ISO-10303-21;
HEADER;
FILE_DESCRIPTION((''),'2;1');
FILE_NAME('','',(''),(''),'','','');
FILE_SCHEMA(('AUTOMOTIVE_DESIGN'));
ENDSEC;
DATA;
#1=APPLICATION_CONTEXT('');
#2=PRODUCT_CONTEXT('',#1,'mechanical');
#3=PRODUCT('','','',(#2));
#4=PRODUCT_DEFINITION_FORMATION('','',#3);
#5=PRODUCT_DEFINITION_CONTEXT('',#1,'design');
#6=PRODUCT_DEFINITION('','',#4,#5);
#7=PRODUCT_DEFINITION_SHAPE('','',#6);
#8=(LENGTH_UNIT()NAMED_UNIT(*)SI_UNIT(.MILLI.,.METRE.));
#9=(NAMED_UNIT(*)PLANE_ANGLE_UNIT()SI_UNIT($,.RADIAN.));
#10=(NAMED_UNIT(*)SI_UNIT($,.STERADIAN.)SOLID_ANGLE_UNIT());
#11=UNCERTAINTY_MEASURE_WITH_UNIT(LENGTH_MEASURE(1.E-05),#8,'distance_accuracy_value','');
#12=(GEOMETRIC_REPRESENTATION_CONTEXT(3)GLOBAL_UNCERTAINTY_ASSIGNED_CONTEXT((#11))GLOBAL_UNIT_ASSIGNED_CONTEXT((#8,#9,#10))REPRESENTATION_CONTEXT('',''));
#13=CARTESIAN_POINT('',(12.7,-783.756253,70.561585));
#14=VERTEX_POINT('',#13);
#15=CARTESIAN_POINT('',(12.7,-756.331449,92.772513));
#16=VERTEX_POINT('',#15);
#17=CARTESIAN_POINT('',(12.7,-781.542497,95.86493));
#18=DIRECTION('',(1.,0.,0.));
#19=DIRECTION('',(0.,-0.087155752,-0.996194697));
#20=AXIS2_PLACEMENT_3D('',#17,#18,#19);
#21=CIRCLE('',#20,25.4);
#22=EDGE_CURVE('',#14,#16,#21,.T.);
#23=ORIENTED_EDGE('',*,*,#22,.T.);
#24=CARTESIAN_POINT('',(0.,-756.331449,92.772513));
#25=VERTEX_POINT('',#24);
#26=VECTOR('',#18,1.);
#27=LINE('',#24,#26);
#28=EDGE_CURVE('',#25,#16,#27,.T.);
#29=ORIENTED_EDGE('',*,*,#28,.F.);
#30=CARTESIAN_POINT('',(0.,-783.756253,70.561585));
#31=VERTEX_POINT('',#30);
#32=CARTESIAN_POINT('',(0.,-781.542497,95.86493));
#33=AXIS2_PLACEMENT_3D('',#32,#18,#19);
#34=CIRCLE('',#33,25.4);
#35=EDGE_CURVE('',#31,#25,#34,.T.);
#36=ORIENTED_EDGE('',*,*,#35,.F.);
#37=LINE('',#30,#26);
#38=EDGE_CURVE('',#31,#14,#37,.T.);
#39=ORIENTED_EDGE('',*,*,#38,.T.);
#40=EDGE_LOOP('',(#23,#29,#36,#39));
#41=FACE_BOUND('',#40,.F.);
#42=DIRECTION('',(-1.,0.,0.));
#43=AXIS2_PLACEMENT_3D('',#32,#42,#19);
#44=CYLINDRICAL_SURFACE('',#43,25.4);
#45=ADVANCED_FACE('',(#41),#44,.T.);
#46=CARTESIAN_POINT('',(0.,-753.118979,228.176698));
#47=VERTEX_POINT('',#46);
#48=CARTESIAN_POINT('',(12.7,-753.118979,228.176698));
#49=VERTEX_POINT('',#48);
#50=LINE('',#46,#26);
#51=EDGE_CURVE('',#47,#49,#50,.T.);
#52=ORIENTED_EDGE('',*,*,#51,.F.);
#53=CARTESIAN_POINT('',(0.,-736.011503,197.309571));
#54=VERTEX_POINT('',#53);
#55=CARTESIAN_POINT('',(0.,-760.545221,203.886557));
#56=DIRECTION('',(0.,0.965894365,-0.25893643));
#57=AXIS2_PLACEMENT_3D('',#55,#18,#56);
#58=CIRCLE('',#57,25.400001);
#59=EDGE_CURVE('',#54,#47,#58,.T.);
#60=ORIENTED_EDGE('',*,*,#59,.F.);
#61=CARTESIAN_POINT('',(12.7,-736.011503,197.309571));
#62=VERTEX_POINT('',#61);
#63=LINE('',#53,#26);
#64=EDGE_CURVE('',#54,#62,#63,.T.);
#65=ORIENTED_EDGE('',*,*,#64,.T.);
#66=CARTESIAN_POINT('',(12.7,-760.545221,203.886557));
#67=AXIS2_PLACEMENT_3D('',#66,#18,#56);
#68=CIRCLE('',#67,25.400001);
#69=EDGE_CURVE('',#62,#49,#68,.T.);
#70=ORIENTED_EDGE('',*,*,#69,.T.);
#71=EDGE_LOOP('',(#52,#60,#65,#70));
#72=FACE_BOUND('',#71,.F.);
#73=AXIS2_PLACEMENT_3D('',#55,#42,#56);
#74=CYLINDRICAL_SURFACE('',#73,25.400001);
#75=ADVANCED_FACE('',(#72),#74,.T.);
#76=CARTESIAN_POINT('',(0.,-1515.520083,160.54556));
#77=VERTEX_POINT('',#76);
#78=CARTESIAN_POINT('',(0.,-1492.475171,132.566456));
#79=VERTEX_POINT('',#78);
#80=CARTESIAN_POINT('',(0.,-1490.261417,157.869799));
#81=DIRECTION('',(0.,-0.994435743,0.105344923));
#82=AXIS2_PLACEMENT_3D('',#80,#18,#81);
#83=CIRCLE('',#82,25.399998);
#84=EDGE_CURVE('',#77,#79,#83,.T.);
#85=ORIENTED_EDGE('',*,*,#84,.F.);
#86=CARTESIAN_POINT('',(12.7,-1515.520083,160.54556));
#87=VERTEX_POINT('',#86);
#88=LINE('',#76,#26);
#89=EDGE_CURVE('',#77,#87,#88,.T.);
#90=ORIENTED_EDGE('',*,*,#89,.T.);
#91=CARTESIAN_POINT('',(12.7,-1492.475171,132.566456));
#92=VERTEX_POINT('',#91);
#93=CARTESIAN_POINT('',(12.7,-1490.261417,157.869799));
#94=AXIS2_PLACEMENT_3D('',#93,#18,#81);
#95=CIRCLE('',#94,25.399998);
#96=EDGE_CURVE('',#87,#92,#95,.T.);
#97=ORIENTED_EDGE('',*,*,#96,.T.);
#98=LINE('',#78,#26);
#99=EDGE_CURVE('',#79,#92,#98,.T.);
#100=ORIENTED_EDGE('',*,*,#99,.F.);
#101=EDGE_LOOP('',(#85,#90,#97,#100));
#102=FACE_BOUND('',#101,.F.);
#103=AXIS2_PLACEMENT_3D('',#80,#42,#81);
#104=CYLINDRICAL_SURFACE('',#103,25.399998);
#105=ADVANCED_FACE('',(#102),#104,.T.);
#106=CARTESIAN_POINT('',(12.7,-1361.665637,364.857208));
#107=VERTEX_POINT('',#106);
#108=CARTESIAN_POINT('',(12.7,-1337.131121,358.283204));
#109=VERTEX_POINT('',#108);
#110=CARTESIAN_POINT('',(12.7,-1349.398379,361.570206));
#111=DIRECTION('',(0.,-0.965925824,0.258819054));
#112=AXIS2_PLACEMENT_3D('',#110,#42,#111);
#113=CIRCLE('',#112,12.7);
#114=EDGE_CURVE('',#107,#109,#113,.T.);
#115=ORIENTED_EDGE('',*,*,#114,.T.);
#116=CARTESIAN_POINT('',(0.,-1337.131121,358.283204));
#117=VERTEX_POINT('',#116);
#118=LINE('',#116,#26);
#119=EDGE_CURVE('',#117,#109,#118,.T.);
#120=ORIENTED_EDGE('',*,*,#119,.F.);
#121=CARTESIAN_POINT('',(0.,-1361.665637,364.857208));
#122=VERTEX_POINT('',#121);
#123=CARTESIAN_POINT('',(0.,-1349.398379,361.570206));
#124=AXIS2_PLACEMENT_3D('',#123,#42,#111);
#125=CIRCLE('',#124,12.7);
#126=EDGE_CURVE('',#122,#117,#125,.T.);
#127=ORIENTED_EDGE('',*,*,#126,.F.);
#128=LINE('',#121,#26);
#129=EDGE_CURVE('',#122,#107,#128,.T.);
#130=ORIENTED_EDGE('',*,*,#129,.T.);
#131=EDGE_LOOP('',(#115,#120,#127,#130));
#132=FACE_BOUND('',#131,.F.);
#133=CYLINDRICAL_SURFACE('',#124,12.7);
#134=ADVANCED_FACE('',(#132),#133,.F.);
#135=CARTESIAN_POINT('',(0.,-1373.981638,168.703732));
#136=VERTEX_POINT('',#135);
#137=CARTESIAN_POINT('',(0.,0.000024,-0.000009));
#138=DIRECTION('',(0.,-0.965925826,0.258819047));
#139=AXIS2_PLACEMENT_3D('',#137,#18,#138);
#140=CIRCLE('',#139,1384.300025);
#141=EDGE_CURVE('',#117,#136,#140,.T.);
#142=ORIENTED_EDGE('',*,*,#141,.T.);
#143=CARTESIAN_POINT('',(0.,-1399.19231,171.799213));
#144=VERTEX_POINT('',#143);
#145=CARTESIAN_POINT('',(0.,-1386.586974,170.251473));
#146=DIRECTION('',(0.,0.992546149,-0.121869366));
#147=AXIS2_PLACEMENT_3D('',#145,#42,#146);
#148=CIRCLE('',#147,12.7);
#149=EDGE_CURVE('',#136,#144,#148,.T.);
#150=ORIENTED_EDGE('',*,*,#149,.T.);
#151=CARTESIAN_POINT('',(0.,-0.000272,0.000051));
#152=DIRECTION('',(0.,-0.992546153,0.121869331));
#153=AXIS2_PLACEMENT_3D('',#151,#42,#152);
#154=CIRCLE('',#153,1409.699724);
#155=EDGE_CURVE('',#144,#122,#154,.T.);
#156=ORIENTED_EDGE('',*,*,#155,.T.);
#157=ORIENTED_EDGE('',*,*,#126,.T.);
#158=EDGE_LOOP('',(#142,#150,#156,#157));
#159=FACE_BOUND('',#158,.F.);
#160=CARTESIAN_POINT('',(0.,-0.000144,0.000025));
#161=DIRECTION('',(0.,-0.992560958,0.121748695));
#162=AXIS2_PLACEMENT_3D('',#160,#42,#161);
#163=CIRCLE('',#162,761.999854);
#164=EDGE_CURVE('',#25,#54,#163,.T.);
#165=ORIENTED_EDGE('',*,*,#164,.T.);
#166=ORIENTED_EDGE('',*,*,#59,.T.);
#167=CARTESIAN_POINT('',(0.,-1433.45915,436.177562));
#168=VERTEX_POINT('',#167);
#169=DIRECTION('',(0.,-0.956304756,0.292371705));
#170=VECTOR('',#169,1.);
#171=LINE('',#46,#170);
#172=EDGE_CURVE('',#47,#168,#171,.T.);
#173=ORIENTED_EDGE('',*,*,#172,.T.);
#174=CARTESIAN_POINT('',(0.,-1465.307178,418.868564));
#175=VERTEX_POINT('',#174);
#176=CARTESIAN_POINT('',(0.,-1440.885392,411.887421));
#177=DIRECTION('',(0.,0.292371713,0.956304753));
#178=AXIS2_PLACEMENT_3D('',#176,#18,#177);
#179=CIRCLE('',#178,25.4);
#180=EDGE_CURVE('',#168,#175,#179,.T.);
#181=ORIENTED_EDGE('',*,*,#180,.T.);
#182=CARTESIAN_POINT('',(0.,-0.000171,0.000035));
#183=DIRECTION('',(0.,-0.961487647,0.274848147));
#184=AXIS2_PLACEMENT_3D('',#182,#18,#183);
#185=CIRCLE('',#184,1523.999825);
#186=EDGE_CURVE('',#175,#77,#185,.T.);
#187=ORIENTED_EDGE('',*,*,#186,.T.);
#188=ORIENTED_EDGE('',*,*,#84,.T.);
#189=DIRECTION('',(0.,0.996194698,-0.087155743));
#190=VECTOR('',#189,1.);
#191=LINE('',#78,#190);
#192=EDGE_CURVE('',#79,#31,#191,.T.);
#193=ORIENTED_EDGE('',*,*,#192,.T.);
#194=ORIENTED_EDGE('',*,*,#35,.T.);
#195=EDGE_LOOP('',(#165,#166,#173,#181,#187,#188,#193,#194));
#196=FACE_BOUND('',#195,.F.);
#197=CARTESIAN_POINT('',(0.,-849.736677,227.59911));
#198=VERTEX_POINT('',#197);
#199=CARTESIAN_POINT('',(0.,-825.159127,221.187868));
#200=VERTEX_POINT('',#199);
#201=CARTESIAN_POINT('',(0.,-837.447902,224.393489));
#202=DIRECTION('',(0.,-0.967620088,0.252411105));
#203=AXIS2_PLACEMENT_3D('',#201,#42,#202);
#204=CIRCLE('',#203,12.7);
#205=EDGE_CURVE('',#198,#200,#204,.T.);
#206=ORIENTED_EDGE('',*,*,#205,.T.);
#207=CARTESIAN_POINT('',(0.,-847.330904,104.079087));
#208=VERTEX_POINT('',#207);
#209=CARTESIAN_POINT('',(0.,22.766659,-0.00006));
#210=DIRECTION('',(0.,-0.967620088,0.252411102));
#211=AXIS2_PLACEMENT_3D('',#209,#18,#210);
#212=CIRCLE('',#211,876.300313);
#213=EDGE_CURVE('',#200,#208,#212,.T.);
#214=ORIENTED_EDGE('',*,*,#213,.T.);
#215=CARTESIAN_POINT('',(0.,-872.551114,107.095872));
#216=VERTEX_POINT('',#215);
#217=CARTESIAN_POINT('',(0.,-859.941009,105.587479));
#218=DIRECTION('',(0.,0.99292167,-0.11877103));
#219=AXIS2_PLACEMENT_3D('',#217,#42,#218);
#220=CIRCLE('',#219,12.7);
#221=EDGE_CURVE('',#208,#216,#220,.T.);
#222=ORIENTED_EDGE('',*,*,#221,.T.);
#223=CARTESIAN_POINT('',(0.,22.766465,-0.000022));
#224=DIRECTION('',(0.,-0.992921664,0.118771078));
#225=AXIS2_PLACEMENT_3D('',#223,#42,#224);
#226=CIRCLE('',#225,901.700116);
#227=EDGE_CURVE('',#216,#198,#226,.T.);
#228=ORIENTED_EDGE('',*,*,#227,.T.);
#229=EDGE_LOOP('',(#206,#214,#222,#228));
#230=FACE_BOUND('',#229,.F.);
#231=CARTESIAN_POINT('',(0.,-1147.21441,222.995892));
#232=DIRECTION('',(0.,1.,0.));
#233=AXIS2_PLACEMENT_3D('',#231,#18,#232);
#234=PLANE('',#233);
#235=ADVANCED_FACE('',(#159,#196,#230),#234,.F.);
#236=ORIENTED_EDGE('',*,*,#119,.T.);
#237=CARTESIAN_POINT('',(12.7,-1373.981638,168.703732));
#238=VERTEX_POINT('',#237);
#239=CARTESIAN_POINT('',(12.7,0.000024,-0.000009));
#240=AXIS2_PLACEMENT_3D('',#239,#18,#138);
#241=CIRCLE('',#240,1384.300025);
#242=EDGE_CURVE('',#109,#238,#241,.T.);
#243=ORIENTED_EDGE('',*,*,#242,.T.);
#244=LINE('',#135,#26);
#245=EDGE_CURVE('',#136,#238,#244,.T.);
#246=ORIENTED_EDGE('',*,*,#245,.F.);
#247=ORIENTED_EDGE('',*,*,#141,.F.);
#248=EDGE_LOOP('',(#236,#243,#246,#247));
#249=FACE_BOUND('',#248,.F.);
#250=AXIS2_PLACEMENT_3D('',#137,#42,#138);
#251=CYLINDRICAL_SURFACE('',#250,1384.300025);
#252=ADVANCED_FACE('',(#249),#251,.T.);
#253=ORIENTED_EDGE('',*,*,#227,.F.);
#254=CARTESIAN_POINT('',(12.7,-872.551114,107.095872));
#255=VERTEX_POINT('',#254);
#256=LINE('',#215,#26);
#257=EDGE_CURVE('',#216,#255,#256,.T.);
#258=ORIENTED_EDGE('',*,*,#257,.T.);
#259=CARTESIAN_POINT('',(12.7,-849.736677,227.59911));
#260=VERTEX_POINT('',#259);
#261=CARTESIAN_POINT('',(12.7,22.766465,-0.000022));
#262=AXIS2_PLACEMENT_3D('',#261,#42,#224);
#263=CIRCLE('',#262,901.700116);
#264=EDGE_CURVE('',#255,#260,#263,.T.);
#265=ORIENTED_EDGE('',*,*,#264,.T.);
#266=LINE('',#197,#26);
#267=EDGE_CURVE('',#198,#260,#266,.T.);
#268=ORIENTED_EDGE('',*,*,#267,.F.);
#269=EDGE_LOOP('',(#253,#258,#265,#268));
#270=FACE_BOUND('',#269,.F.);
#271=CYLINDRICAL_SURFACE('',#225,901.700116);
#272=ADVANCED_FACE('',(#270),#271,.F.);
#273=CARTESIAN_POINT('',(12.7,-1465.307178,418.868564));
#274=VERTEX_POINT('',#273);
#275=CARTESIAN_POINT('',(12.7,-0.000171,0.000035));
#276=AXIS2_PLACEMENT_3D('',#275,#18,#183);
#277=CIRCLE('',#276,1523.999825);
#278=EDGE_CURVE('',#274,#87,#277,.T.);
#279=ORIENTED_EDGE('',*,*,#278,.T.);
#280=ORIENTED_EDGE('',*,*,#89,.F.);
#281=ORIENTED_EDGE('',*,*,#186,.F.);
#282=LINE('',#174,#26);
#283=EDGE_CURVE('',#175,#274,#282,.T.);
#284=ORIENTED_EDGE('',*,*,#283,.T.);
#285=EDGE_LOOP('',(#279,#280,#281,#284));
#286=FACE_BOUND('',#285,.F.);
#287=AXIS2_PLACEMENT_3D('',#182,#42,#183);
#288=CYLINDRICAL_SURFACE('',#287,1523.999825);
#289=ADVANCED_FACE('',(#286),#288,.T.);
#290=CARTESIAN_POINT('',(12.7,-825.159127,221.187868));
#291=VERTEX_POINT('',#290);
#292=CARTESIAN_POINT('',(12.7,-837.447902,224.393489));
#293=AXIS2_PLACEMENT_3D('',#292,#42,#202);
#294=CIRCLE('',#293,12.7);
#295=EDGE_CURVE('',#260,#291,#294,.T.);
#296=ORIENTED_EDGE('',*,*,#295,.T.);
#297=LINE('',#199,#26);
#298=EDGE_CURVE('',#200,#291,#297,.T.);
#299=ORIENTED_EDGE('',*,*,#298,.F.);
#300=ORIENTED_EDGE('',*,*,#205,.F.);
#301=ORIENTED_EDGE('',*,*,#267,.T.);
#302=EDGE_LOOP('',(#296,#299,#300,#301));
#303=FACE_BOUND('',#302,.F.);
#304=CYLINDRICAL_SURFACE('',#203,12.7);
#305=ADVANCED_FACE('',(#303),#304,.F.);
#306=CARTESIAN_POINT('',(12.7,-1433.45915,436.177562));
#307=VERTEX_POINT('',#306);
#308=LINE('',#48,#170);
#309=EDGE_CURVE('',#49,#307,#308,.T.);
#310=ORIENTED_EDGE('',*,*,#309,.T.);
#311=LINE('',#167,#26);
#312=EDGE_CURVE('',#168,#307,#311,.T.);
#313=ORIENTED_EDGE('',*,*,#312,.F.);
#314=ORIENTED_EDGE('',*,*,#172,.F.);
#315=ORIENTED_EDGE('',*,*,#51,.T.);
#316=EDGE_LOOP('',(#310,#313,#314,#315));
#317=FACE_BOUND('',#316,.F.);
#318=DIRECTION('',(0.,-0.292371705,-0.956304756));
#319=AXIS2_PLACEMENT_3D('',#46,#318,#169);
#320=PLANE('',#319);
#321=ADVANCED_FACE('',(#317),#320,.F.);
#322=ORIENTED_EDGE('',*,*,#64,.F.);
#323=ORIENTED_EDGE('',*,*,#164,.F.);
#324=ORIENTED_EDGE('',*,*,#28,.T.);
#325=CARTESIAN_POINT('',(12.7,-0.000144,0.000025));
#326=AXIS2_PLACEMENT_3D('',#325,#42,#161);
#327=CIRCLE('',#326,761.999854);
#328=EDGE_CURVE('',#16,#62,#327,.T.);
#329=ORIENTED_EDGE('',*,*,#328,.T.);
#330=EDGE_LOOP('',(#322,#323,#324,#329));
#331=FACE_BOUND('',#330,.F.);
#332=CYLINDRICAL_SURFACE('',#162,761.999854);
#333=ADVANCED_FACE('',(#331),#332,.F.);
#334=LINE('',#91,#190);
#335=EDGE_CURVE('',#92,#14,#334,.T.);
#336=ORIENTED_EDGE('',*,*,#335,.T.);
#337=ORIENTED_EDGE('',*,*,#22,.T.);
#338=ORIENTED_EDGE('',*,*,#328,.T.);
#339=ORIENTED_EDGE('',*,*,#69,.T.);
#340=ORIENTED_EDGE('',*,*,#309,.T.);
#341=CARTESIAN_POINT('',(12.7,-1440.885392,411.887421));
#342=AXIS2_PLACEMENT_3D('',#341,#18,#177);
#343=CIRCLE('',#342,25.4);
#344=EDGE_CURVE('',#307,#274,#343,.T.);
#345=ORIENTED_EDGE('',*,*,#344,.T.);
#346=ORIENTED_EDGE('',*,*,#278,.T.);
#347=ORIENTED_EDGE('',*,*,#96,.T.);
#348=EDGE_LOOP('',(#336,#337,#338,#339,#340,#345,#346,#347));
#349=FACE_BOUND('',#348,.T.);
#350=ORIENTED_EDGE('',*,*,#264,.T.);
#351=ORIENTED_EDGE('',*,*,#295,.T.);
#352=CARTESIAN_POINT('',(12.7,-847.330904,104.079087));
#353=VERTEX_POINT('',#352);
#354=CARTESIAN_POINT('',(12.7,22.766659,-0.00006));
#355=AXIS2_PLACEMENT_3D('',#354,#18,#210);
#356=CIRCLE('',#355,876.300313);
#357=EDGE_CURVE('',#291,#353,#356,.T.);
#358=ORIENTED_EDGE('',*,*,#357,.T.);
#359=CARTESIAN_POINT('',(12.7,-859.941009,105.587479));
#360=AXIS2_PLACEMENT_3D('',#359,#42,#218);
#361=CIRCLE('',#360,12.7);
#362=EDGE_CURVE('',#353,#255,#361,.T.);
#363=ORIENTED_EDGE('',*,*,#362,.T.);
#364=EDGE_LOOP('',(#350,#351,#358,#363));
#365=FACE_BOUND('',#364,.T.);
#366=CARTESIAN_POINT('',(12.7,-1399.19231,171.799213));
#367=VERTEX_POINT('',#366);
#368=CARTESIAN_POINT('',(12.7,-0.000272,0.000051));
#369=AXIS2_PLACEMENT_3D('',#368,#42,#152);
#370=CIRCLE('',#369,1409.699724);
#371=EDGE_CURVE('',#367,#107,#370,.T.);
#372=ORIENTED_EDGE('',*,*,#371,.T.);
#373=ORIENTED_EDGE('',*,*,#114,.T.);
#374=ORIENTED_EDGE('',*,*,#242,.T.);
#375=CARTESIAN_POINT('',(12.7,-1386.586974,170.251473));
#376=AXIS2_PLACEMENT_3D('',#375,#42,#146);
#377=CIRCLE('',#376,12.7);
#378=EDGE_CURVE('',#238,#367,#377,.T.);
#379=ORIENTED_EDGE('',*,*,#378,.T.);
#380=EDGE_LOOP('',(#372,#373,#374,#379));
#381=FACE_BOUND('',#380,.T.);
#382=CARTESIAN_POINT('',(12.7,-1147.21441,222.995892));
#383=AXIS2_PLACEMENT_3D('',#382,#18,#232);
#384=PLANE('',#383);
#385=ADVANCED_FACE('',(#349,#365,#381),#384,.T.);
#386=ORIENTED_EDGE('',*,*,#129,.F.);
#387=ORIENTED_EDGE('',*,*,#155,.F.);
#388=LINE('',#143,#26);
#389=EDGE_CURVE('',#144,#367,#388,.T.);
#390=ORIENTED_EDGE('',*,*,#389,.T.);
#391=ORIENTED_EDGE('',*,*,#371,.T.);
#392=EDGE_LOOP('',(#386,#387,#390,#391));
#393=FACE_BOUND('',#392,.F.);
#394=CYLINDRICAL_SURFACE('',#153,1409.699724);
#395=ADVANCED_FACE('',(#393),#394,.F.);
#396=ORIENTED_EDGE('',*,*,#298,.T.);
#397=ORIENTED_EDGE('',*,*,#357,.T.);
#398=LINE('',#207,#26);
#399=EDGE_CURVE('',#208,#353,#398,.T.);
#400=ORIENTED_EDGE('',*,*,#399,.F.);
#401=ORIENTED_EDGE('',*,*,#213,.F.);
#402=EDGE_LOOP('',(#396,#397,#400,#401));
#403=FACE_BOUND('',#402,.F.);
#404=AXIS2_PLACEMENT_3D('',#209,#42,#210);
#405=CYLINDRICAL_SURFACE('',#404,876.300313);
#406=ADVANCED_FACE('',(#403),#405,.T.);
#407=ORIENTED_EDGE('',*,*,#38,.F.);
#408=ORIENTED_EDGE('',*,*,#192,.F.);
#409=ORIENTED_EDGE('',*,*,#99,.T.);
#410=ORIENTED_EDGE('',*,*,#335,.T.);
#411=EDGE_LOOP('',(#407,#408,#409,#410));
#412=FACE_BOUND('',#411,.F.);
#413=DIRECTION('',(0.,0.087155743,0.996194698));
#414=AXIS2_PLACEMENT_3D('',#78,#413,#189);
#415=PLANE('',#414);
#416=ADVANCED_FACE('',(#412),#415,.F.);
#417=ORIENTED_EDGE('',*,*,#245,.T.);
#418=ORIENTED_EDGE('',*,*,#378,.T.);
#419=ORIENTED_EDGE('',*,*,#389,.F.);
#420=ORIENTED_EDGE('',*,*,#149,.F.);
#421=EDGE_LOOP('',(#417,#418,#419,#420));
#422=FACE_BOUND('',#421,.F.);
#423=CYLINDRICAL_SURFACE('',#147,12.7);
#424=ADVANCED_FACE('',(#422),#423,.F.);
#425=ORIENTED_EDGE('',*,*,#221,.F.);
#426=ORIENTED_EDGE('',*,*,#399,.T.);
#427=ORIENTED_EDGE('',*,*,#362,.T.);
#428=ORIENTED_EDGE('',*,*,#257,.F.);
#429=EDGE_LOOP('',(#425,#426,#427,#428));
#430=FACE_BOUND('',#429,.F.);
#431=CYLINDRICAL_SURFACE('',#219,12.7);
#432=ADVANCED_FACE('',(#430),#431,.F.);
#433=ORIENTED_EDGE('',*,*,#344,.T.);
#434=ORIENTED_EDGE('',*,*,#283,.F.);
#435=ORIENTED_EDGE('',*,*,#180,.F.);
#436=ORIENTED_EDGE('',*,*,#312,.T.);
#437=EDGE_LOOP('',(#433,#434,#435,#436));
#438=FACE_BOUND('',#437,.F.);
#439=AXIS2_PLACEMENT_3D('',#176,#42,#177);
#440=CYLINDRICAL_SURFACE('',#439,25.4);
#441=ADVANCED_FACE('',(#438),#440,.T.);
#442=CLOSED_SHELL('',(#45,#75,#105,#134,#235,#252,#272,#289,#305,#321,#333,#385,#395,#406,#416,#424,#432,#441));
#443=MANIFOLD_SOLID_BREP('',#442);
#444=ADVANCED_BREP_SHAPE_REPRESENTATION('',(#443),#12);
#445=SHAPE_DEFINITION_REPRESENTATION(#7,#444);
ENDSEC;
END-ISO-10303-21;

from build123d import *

# Parameters (mm, degrees)
F1_DEPTH = 12.7


with BuildPart() as f1:
    # F0 (on Right) → F1 (new body)
    with BuildSketch(Plane.YZ):
        with BuildLine():
            ThreePointArc((-756.331449, 92.772513), (-747.999914, 145.396454), (-736.011503, 197.309571))
            ThreePointArc((-736.011503, 197.309571), (-738.329131, 216.199371), (-753.118979, 228.176698))
            Line((-753.118979, 228.176698), (-1433.45915, 436.177562))
            ThreePointArc((-1433.45915, 436.177562), (-1453.014386, 434.204399), (-1465.307178, 418.868564))
            ThreePointArc((-1465.307178, 418.868564), (-1495.999828, 290.792909), (-1515.520083, 160.54556))
            ThreePointArc((-1515.520083, 160.54556), (-1509.86731, 141.72146), (-1492.475171, 132.566456))
            Line((-1492.475171, 132.566456), (-783.756253, 70.561585))
            ThreePointArc((-783.756253, 70.561585), (-765.55656, 76.126394), (-756.331449, 92.772513))
        make_face()
        with BuildLine():
            ThreePointArc((-872.551114, 107.095872), (-863.195037, 167.735826), (-849.736677, 227.59911))
            ThreePointArc((-849.736677, 227.59911), (-834.242281, 236.682264), (-825.159127, 221.187868))
            ThreePointArc((-825.159127, 221.187868), (-838.238378, 163.010873), (-847.330904, 104.079087))
            ThreePointArc((-847.330904, 104.079087), (-861.449401, 92.977374), (-872.551114, 107.095872))
        make_face(mode=Mode.SUBTRACT)
        with BuildLine():
            ThreePointArc((-1399.19231, 171.799213), (-1383.799841, 268.983441), (-1361.665637, 364.857208))
            ThreePointArc((-1361.665637, 364.857208), (-1346.111377, 373.837464), (-1337.131121, 358.283204))
            ThreePointArc((-1337.131121, 358.283204), (-1358.86651, 264.136892), (-1373.981638, 168.703732))
            ThreePointArc((-1373.981638, 168.703732), (-1388.134715, 157.646137), (-1399.19231, 171.799213))
        make_face(mode=Mode.SUBTRACT)
    extrude(amount=F1_DEPTH)


solid = f1.part
